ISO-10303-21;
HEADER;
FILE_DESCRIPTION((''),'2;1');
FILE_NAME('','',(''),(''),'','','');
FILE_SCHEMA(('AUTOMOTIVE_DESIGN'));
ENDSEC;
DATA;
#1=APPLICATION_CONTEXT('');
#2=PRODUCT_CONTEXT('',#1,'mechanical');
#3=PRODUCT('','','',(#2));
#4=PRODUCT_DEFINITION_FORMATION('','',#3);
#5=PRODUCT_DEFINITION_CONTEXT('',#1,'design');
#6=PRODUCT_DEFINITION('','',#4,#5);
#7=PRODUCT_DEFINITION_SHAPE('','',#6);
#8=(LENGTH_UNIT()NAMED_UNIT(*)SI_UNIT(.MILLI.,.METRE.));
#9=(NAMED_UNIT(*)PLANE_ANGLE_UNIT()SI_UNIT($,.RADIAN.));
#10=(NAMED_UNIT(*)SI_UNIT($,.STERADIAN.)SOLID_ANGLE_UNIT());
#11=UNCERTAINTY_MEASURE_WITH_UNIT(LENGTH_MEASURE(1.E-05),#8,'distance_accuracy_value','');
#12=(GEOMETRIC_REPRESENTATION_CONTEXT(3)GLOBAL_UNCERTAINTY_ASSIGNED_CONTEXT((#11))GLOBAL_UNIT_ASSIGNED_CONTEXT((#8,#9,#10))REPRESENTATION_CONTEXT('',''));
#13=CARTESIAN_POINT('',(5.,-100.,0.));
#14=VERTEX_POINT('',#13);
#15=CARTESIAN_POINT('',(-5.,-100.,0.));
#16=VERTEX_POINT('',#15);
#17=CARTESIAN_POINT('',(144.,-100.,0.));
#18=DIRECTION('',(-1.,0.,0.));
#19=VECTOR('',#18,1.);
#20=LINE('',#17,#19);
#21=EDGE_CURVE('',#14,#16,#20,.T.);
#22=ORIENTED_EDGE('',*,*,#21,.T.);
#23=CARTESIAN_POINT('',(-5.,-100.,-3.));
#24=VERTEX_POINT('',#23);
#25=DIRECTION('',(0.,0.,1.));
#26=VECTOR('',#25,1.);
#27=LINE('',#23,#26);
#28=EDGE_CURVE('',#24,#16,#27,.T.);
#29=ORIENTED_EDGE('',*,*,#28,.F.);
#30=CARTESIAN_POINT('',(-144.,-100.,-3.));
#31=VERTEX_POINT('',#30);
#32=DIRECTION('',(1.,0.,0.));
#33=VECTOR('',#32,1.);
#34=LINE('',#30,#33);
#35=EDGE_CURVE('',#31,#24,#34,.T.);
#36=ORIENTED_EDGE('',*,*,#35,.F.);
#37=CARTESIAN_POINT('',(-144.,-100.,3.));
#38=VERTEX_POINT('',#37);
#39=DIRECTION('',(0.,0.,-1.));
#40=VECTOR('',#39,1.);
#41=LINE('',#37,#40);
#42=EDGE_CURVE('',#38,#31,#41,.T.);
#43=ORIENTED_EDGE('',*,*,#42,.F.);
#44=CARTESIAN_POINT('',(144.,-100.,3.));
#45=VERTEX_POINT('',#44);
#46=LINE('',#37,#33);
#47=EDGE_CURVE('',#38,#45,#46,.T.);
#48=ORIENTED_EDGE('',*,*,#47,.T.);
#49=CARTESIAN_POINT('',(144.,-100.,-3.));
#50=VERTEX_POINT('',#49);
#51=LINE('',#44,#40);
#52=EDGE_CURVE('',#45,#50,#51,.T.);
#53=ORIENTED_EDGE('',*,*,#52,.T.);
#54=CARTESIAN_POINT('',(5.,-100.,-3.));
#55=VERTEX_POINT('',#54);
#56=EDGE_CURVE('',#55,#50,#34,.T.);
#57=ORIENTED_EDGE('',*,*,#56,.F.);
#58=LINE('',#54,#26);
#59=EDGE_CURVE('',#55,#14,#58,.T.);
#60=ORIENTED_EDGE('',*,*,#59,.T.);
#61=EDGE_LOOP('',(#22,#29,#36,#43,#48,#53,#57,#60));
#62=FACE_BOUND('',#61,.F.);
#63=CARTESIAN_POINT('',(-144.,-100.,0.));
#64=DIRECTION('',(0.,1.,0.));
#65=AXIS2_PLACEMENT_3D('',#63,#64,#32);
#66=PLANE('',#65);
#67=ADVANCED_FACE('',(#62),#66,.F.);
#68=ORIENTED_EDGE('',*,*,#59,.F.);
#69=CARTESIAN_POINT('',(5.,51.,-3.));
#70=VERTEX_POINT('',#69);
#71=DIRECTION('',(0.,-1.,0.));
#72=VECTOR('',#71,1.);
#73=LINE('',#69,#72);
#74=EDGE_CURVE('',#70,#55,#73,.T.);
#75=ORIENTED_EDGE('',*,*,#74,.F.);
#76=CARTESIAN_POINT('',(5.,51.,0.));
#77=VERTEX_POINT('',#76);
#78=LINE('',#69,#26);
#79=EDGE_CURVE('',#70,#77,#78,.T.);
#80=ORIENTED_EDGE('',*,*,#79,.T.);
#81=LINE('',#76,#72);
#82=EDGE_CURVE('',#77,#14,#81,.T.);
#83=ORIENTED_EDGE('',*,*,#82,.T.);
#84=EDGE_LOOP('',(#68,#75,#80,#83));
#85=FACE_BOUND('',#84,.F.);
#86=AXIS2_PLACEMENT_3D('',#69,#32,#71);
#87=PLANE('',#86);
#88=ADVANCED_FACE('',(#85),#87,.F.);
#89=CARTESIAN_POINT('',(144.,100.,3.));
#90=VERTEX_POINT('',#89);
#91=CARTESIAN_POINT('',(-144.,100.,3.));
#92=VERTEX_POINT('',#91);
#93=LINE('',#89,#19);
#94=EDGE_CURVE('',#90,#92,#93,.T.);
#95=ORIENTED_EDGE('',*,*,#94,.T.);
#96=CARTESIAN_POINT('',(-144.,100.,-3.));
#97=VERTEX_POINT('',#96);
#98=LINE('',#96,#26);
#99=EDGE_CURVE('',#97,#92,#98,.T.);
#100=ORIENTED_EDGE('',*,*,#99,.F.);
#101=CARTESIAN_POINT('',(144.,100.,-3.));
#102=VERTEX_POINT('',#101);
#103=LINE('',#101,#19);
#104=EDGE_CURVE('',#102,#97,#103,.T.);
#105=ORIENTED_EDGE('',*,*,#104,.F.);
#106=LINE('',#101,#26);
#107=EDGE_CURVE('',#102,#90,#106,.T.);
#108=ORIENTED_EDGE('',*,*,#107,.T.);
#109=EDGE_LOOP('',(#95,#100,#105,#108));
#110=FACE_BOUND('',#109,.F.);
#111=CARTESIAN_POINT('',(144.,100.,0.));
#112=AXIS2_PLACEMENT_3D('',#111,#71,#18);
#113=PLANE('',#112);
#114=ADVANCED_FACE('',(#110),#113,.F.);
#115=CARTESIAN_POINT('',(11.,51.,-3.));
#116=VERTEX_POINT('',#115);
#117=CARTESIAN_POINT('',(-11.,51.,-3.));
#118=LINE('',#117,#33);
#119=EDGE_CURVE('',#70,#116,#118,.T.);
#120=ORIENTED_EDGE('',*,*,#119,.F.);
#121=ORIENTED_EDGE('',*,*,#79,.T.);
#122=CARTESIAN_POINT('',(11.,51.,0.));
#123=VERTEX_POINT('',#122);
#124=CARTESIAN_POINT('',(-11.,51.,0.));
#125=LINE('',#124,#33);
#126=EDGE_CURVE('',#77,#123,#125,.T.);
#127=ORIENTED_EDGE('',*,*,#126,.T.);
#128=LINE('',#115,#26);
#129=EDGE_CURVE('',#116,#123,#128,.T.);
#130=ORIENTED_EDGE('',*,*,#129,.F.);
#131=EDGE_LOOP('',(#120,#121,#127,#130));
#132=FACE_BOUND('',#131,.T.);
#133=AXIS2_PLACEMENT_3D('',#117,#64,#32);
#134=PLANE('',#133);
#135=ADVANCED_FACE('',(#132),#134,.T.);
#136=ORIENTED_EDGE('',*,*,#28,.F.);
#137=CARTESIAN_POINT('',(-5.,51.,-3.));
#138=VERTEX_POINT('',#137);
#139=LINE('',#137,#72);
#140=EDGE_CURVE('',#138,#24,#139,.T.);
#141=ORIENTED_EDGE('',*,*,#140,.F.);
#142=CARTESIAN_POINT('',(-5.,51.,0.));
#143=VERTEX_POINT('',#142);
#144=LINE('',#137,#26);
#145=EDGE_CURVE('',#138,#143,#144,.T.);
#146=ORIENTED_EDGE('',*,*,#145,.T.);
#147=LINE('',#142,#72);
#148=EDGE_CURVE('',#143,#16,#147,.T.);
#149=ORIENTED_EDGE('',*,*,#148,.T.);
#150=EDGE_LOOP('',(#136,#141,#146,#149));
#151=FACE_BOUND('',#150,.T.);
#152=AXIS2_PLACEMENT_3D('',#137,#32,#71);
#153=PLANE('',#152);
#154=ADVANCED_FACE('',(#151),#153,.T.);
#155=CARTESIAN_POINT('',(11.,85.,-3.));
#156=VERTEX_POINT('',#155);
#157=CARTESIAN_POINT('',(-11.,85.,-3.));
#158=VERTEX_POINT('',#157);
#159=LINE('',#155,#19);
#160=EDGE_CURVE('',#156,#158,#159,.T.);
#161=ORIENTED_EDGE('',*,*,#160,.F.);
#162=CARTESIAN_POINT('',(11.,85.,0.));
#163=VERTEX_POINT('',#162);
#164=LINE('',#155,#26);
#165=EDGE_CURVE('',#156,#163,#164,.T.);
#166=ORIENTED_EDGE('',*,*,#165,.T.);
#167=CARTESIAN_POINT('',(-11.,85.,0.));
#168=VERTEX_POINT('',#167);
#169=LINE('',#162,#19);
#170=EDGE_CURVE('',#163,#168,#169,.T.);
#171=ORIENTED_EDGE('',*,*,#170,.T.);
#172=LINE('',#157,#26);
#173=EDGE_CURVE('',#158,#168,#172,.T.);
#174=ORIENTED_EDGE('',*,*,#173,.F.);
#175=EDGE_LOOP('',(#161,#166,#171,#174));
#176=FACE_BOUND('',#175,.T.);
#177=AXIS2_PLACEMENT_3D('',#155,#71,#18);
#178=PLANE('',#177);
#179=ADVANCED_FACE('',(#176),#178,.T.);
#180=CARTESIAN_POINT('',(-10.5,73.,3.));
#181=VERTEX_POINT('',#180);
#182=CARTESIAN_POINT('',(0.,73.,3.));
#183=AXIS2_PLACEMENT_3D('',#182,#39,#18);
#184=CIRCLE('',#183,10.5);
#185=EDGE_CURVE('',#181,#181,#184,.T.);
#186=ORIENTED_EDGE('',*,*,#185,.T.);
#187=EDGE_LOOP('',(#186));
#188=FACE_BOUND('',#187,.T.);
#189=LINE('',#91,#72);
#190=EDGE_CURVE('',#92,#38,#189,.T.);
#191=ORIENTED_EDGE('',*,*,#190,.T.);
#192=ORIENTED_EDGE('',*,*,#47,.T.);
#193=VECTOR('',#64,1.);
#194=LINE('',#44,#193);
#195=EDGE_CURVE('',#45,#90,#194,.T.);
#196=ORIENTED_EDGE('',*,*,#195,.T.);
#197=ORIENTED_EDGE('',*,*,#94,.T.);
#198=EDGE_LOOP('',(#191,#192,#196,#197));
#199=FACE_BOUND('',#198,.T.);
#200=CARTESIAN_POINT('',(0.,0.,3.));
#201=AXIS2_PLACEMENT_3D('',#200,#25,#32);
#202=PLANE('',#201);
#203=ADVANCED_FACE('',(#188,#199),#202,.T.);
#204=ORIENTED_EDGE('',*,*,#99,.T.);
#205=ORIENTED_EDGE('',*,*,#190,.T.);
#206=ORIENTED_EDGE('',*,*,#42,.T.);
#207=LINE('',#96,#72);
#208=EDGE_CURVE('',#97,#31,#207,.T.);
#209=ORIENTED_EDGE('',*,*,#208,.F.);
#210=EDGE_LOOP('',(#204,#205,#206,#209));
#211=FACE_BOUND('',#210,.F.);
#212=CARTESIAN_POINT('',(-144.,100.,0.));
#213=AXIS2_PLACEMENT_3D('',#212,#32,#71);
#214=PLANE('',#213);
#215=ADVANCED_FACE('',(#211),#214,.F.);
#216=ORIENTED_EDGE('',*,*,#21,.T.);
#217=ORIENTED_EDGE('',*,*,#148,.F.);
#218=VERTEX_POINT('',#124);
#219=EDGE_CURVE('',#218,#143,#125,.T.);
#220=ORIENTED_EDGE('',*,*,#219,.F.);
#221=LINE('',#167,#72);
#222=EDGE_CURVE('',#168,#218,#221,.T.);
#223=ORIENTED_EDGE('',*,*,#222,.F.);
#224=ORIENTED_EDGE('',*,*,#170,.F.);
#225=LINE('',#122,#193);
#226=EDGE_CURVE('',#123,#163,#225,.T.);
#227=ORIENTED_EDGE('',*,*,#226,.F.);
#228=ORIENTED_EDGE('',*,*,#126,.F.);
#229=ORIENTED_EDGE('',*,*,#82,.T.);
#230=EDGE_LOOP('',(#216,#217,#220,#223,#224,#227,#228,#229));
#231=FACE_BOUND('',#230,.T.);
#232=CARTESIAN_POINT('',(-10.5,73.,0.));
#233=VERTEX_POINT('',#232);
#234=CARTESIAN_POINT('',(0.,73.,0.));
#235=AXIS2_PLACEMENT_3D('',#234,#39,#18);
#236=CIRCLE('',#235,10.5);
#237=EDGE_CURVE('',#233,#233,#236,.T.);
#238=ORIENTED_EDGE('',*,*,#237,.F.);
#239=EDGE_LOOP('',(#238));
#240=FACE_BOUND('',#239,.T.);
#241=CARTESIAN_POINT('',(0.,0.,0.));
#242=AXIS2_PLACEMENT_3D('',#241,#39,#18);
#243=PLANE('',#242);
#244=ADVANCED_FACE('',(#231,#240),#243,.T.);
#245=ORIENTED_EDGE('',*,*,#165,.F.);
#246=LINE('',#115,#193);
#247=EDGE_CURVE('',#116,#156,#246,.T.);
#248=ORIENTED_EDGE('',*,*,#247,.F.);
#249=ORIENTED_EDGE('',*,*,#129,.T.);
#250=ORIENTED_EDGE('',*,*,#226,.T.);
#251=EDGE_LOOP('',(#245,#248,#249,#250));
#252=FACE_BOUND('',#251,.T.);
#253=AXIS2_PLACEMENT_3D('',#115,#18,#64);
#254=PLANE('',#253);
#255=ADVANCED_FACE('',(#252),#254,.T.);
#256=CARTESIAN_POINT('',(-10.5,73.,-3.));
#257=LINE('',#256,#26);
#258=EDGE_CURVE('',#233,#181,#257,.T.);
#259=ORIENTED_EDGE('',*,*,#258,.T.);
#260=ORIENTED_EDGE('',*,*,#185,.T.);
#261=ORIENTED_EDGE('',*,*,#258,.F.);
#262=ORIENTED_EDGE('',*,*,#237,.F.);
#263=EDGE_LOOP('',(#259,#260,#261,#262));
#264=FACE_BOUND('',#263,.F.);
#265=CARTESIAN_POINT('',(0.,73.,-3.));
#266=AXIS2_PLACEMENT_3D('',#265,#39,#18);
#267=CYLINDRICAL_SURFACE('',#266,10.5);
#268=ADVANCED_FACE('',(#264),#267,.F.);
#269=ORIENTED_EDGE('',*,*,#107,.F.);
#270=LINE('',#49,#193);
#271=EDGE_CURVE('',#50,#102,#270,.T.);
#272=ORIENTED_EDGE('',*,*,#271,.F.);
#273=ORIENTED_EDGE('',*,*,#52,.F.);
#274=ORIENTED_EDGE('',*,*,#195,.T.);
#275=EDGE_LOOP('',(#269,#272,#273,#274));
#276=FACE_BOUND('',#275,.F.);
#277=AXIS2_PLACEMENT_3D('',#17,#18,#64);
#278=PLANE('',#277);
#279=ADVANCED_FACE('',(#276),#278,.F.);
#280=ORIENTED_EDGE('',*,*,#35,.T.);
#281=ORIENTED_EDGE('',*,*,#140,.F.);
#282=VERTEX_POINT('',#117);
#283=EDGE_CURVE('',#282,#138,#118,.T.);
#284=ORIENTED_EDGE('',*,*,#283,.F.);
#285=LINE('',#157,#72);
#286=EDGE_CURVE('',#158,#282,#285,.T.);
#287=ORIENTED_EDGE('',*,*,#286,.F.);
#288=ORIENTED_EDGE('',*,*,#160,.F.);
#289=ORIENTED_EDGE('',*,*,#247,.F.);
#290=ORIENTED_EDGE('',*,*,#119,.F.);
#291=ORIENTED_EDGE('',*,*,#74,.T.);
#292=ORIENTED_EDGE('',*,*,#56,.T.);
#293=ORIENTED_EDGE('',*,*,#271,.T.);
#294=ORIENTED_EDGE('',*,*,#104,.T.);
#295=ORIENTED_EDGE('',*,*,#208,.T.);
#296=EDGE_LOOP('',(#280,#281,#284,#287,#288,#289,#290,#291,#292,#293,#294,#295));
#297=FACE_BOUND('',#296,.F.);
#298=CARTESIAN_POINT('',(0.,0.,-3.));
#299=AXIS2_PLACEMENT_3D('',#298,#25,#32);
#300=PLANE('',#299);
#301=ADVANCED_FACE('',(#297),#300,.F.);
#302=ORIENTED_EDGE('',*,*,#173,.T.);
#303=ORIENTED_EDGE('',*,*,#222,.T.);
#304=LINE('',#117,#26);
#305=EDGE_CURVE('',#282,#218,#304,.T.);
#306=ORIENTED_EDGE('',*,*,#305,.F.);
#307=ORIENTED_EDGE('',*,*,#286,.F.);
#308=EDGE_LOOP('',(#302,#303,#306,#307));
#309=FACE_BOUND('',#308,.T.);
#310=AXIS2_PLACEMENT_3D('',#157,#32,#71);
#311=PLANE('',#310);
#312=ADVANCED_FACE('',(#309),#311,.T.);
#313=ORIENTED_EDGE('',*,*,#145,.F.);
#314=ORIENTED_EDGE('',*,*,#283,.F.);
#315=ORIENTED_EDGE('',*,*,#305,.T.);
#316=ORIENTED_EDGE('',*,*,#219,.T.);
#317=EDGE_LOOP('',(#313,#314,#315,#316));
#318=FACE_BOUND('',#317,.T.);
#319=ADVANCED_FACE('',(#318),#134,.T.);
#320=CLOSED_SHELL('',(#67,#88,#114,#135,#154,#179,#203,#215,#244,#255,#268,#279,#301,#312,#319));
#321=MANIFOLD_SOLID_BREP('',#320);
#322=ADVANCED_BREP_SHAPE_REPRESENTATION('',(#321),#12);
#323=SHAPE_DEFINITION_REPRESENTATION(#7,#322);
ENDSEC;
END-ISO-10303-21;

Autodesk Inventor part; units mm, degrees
ref_plane "YZ Plane" through (0, 0, 0) normal (1, 0, 0) x (0, 1, 0)
ref_plane "XZ Plane" through (0, 0, 0) normal (0, 1, 0) x (-1, 0, 0)
ref_plane "XY Plane" through (0, 0, 0) normal (0, 0, 1) x (1, 0, 0)
sketch "Szkic1" plane through (0, 0, 0) normal (0, 0, 1) x (1, 0, 0)
  line L0 (144, 100) -> (-144, 100)
  line L1 (-144, 100) -> (-144, -100)
  line L2 (-144, -100) -> (144, -100)
  line L3 (144, -100) -> (144, 100)
  line L4 (144, 100) -> (-144, -100) construction
  line L5 (-144, 100) -> (144, -100) construction
  point P0 (0, 0)
  dimension "d0" = 288
  dimension "d1" = 200
extrude "Wyciągnięcie proste1" add sketch "Szkic1" along normal mid plane 6
sketch "Szkic2" plane through (0, 0, -3) normal (0, 0, -1) x (-1, 0, 0)
  line L0 (11, 51) -> (-11, 51)
  line L1 (-11, 51) -> (-11, 85)
  line L2 (-11, 85) -> (11, 85)
  line L3 (11, 85) -> (11, 51)
  line L4 (11, 51) -> (-11, 85) construction
  line L5 (-11, 51) -> (11, 85) construction
  line L6 (144, 100) -> (-144, 100) projected
  line L7 (-144, 100) -> (-144, -100) projected
  circle A0 centre (0, 73) radius 10.5
  line L8 (-144, -100) -> (144, -100) projected
  line L9 (144, -100) -> (144, 100) projected
  line L10 (-5, 51) -> (-5, -100)
  line L11 (5, 51) -> (5, -100)
  point P0 (0, 0)
  point P1 (0, 68)
  dimension "d4" = 34
  dimension "d5" = 22
  dimension "d6" = 15
  dimension "d8" = 21
  dimension "d9" = 12
  dimension "d10" = 11
  dimension "d15" = 10
  dimension "d16" = 139
  dimension "d19" = 144
extrude "Wyciągnięcie proste2" cut sketch "Szkic2" against normal through all contours A0
extrude "Wyciągnięcie proste3" cut sketch "Szkic2" against normal blind 3 contours L0 L1 L2 L3
extrude "Wyciągnięcie proste5" cut sketch "Szkic2" against normal blind 3 contours L11 L8 L10 L0
properties part number "RightWall"
